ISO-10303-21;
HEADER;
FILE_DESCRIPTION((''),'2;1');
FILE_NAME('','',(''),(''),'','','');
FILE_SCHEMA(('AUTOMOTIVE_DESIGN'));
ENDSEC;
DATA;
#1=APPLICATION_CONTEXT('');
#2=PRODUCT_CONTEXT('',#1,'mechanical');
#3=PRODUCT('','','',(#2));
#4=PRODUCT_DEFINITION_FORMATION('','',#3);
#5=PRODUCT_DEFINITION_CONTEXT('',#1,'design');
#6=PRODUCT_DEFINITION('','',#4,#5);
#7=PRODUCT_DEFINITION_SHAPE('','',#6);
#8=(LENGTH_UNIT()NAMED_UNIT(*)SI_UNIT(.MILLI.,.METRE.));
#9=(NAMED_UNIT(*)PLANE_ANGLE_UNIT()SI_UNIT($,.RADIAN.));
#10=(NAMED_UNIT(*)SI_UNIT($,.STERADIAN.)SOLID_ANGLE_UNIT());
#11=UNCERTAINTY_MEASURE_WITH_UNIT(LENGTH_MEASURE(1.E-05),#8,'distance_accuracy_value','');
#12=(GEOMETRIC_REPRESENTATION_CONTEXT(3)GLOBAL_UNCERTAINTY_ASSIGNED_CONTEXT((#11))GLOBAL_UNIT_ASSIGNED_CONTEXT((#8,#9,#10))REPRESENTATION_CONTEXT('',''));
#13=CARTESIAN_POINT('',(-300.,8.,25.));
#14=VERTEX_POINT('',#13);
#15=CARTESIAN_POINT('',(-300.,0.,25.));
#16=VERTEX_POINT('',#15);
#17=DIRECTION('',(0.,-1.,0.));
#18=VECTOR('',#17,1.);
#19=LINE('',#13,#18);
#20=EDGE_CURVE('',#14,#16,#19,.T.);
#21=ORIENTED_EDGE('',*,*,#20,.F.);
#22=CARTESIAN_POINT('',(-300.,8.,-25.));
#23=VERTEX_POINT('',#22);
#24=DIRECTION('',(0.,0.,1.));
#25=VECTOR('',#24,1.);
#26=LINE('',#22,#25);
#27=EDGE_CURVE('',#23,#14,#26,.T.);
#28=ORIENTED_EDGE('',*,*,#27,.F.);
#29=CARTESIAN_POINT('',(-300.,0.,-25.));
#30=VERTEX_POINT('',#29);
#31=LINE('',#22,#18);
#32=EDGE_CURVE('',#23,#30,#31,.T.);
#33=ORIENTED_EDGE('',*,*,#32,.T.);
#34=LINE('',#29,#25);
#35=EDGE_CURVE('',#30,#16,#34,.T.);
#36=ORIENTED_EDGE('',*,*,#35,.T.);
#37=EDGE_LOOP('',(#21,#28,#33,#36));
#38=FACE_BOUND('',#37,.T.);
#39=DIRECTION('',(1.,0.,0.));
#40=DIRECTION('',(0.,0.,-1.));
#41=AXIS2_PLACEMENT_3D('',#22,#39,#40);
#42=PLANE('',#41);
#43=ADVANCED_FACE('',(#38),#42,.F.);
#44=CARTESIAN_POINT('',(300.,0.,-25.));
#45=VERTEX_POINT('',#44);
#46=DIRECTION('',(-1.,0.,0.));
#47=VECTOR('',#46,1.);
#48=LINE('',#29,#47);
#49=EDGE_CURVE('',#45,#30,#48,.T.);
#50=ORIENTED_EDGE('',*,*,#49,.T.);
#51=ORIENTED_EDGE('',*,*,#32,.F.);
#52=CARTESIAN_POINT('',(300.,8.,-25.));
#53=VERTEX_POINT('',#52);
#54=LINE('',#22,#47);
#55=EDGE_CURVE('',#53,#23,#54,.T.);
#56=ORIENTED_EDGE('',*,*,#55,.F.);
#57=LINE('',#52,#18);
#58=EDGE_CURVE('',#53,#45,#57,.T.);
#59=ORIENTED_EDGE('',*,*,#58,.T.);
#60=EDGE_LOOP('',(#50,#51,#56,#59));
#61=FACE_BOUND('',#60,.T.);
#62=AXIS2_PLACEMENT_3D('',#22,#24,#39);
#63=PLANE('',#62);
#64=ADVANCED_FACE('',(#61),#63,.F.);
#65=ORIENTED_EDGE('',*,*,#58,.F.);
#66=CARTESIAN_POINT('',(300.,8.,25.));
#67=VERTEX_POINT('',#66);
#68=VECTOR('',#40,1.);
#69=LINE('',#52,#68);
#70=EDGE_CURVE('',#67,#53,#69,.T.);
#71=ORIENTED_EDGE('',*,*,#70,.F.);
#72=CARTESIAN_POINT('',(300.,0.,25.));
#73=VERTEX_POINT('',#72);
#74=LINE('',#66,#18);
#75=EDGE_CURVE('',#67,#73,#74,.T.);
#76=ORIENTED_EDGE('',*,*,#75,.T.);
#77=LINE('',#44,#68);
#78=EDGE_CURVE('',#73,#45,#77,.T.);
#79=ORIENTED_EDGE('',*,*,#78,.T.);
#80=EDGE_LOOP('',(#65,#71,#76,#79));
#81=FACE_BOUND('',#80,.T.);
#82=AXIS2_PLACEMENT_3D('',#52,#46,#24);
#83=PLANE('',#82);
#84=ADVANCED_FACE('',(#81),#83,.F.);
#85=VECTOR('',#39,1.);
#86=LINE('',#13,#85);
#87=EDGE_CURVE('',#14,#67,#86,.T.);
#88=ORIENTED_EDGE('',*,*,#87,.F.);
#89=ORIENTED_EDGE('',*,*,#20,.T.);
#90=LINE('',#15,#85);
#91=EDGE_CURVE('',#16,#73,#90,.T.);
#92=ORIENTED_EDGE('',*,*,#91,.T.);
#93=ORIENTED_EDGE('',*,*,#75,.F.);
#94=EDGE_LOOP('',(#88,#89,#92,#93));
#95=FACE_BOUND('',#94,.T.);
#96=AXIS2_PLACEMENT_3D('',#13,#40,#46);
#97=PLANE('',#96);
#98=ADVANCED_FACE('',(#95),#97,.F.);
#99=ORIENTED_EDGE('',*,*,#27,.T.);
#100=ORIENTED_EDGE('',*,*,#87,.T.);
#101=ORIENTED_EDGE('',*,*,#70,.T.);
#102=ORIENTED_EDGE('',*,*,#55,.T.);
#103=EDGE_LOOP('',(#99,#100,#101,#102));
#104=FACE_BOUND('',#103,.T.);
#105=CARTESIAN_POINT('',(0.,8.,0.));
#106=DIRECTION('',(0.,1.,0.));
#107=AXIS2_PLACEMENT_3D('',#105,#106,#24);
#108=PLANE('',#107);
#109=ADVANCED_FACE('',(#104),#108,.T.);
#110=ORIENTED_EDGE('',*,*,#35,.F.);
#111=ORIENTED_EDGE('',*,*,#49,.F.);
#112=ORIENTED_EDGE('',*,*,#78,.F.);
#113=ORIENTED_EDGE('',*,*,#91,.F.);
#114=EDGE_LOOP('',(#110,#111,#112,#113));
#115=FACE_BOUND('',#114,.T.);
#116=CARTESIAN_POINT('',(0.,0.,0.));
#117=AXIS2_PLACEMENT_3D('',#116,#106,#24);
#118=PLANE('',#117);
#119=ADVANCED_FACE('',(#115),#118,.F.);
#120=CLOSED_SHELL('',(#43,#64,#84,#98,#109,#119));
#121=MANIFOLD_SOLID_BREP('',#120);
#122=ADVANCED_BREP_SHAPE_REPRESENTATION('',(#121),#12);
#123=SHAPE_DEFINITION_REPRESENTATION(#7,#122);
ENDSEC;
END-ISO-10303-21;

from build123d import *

# Parameters (mm, degrees)
SKETCH_1_W      = 600
SKETCH_1_H      = 50
EXTRUDE_1_DEPTH = 8


with BuildPart() as part:
    # Эскиз1 → Бобышка-Вытянуть1 (new body)
    with BuildSketch(Plane(origin=(0, 0, 0), x_dir=(1, 0, 0), z_dir=(0, 1, 0))):
        Rectangle(SKETCH_1_W, SKETCH_1_H)
    extrude(amount=EXTRUDE_1_DEPTH)


solid = part.part
